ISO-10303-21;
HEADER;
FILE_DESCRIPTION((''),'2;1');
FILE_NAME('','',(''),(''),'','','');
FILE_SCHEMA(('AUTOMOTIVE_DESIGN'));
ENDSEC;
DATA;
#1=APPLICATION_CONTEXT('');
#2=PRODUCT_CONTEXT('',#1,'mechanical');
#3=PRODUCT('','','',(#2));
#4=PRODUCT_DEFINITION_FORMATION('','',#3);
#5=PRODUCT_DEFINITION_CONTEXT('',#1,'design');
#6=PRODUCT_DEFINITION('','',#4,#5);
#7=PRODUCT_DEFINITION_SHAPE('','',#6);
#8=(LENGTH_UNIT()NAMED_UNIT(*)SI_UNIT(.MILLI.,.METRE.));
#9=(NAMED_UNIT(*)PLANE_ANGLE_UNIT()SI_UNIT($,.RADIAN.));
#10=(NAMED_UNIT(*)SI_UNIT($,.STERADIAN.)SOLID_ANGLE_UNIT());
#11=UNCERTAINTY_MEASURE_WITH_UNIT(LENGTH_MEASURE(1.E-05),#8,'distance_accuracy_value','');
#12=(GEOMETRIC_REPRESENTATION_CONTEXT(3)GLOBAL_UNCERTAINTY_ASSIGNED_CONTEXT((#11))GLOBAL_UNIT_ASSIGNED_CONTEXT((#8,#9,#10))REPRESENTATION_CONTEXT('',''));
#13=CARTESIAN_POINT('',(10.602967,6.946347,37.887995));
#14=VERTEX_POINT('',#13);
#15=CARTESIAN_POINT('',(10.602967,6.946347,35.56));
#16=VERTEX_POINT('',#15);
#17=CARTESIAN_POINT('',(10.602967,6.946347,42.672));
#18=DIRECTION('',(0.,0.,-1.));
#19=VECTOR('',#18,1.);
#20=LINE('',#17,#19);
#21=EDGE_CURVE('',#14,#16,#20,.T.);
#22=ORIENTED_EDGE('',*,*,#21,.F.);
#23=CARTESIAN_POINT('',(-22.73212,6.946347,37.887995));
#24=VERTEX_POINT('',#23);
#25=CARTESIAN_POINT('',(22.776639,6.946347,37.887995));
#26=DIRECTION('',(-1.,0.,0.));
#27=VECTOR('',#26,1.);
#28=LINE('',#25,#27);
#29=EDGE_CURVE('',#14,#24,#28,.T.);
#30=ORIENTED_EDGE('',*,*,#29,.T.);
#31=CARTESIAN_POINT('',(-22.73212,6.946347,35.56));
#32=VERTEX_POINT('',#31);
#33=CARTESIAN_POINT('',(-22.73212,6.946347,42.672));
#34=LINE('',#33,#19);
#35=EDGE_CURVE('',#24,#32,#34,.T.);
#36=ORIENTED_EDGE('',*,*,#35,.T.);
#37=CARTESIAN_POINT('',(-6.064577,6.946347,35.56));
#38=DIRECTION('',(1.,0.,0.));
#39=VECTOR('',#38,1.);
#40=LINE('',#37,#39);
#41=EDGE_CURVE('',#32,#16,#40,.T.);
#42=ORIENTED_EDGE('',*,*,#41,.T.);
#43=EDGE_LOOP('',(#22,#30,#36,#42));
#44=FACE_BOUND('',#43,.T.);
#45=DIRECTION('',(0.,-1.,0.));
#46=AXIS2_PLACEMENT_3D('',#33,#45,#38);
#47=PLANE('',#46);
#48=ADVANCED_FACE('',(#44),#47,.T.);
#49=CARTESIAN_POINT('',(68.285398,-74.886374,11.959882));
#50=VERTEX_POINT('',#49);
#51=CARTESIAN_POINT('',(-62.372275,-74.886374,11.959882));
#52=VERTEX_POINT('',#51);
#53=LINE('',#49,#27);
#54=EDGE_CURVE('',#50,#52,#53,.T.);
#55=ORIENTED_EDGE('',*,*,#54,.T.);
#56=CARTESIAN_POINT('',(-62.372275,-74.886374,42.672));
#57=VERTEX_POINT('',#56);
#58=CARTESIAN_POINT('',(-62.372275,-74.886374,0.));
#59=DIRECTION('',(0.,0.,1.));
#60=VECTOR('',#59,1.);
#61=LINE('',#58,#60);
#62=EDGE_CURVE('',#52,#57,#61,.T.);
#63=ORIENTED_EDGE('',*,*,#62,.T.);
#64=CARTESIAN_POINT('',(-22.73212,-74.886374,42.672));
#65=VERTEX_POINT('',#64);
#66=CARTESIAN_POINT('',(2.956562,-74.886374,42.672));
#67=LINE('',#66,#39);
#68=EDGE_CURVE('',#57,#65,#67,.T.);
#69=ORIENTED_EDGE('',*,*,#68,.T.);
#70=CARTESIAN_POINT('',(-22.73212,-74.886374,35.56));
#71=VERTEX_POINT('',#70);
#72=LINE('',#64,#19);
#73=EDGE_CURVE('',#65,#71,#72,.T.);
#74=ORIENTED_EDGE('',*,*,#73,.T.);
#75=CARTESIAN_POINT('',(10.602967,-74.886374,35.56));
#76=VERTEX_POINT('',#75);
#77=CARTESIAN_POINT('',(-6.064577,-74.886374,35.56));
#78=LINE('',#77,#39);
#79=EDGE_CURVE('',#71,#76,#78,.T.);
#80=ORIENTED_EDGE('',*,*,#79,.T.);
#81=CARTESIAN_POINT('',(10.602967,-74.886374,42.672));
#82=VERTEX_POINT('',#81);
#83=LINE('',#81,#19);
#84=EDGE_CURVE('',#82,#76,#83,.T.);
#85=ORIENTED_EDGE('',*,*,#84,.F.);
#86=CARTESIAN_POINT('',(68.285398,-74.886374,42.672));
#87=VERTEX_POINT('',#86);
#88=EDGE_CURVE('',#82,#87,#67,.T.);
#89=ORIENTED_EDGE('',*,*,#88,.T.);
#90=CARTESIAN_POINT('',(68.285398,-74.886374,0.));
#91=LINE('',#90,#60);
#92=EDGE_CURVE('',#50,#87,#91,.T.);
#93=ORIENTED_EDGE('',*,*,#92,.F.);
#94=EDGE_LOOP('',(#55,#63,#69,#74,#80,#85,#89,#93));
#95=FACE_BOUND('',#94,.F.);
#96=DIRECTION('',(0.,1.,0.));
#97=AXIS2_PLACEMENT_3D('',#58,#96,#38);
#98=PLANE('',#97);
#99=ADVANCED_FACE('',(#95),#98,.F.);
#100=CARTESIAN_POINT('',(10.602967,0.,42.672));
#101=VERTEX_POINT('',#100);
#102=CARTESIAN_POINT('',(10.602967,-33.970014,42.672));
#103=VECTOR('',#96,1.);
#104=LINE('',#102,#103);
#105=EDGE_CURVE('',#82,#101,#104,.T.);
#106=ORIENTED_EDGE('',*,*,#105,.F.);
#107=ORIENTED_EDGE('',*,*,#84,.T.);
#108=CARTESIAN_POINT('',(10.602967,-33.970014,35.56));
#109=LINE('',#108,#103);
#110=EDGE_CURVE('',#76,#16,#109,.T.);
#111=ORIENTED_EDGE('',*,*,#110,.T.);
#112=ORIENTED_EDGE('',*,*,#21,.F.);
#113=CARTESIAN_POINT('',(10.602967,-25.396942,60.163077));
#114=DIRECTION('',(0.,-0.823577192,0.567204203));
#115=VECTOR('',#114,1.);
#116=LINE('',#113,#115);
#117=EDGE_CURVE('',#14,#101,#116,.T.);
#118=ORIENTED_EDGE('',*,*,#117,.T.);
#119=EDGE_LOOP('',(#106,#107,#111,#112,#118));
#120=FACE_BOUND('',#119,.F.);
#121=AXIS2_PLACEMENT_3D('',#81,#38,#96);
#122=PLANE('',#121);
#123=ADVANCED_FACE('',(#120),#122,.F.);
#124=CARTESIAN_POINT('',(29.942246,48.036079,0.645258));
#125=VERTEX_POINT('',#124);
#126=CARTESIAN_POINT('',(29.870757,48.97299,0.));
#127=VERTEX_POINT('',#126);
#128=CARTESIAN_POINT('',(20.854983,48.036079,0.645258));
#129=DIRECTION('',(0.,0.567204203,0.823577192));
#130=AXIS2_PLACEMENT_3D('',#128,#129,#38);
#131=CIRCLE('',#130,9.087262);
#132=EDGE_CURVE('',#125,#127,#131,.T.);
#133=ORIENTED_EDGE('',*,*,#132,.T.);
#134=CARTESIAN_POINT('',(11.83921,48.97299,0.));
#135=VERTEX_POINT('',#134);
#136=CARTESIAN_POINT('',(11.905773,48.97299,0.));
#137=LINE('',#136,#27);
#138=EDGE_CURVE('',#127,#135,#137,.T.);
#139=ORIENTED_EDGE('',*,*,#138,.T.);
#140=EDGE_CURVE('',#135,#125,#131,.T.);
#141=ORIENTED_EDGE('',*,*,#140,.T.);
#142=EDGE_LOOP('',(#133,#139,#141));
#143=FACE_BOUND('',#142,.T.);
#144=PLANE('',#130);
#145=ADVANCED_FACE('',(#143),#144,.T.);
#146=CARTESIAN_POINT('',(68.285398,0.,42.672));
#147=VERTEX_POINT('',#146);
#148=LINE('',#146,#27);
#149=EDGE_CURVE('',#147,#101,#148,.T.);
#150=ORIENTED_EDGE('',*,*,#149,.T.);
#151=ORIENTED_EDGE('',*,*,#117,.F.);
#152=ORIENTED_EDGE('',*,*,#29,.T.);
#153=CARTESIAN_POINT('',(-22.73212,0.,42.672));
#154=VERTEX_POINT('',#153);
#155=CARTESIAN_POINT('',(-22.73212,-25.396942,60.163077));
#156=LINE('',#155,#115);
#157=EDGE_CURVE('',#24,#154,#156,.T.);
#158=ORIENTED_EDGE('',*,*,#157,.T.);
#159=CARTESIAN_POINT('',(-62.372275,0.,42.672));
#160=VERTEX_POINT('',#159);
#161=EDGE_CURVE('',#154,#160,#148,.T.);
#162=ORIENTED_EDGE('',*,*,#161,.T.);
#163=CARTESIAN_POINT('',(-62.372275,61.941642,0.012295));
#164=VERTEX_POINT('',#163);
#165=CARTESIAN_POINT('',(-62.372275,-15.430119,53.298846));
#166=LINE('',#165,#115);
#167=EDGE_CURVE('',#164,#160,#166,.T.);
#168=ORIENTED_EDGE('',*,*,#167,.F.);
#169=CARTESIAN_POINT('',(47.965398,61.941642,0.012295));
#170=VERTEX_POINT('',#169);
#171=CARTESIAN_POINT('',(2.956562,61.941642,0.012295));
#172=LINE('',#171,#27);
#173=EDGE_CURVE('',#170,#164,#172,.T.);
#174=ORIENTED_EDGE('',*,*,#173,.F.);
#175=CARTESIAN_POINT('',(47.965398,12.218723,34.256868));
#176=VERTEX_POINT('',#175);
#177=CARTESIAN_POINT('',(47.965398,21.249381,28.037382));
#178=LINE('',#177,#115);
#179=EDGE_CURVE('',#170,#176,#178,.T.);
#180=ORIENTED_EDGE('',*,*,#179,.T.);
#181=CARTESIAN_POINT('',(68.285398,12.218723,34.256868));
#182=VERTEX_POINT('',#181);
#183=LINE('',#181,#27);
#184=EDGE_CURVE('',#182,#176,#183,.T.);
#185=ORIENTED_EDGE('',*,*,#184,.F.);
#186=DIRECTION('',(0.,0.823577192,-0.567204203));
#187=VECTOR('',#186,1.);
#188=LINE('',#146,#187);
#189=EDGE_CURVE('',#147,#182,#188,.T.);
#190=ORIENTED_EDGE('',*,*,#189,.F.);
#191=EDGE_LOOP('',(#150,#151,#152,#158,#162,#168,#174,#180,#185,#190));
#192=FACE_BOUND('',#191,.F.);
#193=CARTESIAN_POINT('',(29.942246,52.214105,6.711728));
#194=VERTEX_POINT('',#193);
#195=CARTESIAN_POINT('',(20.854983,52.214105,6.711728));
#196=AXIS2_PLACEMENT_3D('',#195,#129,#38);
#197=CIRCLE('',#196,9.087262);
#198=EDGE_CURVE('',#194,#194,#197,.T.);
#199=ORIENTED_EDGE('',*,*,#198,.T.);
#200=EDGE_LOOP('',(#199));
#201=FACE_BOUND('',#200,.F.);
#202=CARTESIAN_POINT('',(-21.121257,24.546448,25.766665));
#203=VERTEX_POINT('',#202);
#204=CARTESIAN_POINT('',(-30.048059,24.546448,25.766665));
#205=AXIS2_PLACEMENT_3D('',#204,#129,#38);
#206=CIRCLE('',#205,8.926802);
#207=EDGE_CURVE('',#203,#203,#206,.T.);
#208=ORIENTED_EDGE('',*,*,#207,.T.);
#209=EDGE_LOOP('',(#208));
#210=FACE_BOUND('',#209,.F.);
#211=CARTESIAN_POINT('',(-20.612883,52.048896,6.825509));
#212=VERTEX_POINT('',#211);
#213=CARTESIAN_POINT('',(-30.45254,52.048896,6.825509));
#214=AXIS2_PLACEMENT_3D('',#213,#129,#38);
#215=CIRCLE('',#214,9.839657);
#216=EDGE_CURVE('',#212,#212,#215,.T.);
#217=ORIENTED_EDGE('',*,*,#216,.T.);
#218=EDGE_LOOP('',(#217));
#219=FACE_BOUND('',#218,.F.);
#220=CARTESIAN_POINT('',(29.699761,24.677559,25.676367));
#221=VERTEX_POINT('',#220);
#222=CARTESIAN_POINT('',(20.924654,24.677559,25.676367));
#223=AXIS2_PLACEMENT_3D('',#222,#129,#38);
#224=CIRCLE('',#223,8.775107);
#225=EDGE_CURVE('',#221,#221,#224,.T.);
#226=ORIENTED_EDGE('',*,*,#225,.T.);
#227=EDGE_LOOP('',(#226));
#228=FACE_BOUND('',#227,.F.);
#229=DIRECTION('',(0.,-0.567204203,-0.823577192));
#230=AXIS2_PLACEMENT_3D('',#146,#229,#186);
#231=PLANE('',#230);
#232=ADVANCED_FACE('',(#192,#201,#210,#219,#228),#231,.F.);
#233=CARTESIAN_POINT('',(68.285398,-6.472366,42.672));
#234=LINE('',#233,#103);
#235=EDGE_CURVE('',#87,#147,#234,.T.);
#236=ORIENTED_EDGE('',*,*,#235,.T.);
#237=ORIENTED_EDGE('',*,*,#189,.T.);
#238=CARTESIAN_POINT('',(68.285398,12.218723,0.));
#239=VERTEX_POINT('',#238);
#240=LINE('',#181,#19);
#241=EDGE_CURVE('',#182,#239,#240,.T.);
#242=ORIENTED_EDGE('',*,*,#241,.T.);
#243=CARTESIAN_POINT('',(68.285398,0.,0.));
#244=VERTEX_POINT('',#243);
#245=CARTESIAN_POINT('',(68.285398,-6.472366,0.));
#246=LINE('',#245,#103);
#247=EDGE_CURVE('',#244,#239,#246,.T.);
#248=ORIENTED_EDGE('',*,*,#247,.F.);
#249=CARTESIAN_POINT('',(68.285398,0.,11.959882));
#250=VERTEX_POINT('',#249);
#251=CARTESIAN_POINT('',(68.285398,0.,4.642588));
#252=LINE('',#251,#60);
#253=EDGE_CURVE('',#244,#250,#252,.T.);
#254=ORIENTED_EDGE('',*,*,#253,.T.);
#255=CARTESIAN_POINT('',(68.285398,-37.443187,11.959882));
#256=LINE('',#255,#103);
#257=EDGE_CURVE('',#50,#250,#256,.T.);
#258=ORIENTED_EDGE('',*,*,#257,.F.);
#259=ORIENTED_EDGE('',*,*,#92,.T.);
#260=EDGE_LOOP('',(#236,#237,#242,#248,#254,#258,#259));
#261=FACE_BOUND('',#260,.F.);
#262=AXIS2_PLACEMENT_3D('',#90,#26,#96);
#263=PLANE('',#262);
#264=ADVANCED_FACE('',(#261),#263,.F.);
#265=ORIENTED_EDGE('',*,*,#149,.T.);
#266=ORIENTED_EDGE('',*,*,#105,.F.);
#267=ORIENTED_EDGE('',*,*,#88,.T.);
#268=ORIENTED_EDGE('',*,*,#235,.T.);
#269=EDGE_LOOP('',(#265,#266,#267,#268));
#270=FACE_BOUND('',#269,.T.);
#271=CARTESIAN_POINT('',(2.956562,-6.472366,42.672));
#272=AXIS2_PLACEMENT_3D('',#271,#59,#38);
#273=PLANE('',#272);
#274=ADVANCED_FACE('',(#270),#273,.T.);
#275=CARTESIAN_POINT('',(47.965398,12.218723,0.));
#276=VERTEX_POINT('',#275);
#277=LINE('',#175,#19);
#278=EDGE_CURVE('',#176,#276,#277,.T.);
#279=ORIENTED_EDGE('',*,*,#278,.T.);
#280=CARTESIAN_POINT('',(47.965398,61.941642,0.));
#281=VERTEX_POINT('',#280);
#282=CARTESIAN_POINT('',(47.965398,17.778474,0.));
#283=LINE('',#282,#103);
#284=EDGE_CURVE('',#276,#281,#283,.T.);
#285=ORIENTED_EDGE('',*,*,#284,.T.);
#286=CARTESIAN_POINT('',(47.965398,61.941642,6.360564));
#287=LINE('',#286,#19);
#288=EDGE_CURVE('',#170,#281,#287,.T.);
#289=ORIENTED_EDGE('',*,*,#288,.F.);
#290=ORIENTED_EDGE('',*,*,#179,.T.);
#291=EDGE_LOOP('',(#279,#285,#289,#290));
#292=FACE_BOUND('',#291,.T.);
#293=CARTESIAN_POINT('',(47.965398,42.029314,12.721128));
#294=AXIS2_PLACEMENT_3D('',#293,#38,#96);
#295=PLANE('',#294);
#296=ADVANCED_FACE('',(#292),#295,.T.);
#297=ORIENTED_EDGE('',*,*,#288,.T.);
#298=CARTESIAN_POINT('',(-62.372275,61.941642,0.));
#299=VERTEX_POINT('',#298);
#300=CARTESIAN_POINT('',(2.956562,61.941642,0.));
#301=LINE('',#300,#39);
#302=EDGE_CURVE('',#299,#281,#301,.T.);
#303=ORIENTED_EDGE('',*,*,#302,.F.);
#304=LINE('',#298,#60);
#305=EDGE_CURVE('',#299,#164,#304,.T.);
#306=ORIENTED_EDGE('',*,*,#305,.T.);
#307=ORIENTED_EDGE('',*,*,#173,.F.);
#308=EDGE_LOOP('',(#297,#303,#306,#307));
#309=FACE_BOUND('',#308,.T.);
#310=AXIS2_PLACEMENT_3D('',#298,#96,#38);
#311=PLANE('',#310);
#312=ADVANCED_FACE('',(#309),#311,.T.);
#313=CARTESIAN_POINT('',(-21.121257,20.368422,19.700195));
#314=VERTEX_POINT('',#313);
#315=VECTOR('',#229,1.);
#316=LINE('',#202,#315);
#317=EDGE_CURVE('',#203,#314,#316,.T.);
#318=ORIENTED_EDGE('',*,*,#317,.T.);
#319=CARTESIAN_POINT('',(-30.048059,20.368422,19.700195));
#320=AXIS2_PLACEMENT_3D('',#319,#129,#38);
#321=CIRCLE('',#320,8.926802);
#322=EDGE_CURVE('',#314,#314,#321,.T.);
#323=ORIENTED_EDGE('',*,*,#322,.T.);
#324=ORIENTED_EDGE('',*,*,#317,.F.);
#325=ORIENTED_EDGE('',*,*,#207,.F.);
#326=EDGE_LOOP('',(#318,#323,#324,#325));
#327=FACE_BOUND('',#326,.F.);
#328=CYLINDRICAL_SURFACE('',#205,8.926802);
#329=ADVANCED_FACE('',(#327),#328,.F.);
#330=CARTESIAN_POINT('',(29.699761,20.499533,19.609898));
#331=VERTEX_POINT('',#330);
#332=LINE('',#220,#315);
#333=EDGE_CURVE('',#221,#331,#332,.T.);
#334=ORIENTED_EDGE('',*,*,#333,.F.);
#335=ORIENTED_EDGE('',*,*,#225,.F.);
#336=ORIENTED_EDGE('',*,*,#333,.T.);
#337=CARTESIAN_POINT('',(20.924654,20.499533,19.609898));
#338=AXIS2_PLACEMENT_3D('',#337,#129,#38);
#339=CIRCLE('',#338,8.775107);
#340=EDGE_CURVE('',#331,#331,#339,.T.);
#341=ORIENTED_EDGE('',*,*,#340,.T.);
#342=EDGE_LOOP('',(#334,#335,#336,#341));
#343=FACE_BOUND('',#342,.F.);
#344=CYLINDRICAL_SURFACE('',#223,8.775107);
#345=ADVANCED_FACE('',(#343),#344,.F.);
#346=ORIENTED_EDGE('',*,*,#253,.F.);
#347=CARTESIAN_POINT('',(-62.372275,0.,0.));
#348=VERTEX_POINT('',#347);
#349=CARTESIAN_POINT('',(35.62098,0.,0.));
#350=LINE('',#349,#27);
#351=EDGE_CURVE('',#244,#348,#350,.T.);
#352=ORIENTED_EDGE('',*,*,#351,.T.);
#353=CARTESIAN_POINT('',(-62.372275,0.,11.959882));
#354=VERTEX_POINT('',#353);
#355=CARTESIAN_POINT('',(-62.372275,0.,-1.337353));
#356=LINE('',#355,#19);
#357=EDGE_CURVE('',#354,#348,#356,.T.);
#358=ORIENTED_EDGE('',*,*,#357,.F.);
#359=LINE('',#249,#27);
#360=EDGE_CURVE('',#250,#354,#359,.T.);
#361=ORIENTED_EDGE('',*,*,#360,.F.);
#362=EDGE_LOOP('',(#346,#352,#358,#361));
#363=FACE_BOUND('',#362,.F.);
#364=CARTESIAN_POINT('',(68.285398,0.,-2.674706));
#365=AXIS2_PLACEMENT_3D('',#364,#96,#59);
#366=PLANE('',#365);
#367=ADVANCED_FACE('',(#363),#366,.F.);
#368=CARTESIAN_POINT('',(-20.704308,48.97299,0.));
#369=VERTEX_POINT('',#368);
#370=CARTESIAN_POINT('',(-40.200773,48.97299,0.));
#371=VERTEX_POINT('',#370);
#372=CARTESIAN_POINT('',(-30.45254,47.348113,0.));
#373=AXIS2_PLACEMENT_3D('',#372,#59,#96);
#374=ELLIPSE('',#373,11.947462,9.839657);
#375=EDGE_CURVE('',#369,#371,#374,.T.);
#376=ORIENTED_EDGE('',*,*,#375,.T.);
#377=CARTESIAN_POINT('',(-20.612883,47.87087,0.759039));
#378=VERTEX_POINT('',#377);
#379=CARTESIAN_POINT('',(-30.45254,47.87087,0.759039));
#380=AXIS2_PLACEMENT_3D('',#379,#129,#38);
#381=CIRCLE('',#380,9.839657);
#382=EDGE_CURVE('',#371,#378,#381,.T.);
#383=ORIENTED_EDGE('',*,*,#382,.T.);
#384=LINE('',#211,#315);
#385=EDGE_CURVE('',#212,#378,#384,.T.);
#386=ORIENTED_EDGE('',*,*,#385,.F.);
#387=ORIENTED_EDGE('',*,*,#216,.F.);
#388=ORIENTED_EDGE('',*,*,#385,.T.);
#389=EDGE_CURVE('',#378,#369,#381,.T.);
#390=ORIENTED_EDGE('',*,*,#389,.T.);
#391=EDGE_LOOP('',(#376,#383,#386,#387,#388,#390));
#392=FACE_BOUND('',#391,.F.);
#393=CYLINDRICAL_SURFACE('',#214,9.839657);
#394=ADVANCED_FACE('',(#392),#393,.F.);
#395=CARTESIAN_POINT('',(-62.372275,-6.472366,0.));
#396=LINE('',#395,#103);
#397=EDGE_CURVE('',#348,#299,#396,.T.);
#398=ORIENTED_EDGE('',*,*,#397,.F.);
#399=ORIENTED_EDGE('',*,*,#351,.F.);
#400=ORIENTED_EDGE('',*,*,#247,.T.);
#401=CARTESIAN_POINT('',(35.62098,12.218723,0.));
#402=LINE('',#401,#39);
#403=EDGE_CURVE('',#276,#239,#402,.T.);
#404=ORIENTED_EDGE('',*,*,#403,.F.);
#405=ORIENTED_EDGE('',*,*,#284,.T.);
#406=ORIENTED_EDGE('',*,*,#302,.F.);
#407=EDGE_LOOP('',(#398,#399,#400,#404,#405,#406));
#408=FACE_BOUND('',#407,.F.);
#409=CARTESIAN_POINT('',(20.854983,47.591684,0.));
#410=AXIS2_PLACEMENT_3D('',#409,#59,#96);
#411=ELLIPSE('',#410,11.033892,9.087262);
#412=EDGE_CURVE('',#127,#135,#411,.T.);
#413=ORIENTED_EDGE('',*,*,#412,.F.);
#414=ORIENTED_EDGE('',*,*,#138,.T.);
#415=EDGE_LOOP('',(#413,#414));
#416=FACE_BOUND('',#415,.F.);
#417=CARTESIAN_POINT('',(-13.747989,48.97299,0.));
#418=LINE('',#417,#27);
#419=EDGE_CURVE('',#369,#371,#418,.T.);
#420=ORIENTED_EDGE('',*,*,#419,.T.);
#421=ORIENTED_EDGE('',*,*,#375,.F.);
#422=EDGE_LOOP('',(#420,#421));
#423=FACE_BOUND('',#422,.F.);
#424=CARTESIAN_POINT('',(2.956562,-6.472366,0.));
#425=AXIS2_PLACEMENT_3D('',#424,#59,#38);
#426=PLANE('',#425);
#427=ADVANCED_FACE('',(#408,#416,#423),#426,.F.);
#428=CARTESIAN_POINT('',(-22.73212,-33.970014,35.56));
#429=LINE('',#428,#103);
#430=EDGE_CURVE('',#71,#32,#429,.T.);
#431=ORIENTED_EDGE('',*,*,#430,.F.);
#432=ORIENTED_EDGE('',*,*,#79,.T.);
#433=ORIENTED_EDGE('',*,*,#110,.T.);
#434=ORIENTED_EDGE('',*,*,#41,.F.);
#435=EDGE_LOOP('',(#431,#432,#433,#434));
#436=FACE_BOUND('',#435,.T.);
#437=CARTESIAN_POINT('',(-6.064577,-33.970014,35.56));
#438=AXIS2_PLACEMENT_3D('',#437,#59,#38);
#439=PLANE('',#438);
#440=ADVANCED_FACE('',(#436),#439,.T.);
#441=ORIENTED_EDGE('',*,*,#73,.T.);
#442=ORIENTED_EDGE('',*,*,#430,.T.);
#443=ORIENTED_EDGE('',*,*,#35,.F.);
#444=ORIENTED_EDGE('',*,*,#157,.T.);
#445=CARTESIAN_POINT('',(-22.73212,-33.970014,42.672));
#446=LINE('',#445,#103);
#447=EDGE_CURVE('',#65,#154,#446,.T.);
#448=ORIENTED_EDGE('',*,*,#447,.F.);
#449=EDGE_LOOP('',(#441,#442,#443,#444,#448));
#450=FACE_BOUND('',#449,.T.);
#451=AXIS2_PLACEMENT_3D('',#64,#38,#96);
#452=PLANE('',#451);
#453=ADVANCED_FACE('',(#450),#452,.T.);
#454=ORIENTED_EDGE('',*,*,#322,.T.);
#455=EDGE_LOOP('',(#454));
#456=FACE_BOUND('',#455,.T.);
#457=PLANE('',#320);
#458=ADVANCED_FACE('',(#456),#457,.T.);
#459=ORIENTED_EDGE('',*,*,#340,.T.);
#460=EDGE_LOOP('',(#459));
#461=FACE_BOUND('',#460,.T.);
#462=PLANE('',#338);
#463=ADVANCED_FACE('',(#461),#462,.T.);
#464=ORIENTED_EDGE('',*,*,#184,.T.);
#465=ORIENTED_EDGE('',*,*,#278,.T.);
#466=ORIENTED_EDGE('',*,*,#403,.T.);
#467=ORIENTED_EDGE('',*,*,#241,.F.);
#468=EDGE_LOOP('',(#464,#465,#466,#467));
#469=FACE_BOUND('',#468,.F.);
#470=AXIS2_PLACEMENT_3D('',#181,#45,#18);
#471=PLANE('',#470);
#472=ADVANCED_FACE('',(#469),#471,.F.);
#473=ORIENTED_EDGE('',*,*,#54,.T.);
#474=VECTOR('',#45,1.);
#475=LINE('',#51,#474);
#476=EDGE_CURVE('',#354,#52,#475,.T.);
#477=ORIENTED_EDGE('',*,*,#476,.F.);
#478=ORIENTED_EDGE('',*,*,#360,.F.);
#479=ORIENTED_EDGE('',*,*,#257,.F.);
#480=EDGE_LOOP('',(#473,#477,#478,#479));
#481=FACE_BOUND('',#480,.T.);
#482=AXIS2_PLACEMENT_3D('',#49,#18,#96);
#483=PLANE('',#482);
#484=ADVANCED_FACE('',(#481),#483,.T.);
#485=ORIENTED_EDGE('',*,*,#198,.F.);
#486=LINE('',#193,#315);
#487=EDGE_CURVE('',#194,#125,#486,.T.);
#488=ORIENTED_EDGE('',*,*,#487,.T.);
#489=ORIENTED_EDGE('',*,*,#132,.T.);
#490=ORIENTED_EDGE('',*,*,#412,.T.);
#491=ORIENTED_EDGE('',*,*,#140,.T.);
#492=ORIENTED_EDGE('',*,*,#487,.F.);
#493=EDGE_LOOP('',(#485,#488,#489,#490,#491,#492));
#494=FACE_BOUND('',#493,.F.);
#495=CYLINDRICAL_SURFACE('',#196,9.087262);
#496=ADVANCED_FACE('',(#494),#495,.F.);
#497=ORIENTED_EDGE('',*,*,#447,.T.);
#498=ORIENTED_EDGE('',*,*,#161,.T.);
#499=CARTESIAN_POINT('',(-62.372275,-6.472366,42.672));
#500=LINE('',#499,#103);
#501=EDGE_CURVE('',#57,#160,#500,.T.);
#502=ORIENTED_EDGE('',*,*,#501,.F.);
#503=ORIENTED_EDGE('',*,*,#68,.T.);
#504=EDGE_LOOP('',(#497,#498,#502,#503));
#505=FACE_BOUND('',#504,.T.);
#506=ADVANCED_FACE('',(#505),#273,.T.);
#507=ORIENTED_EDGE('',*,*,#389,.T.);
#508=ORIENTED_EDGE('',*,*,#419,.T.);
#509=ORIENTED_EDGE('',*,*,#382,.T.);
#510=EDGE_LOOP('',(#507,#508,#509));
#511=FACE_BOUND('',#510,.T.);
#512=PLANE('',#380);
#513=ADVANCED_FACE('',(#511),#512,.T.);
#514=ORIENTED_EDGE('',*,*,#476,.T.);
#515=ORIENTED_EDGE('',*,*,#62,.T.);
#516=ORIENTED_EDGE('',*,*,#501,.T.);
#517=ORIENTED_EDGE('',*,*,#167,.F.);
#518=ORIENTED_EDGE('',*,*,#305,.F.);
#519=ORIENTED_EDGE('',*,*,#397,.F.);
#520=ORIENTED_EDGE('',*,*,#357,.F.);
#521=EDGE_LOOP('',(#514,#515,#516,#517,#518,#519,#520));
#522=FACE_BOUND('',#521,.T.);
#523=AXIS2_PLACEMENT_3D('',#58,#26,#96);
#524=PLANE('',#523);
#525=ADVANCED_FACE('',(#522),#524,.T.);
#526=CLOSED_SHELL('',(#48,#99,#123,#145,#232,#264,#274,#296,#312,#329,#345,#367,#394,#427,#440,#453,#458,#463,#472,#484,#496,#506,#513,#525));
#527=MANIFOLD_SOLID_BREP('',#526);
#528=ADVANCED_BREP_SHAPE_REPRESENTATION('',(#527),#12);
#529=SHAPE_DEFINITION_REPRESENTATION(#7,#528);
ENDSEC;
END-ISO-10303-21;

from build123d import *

# Parameters (mm, degrees)
F0_W      = 130.6576728821
F0_H      = 136.8280164897
F1_DEPTH  = 42.672
F3_DEPTH  = 168.402
F4_W      = 33.3350868896
F4_H      = 81.8327208981
F5_DEPTH  = 7.112
F7_DEPTH  = 20.32
F8_W      = 74.8863741755
F8_H      = 14.6345880348
F9_DEPTH  = 153.162
F10_R     = 8.7751073359
F10_R_2   = 8.9268024196
F10_R_3   = 9.0872621363
F10_R_4   = 9.8396569886
F11_DEPTH = 7.366


with BuildPart() as f1:
    # F0 (on Top) → F1 (new body)
    with BuildSketch(Plane.XY):
        with Locations((2.9565617442, -6.4723659307)):
            Rectangle(F0_W, F0_H)
    extrude(amount=F1_DEPTH)

    # F2 (on face) → F3 (cut)
    with BuildSketch(Plane.YZ.offset(68.2853981853)):
        Polygon((81.023953855, 51.4655448496), (0, 42.672), (83.4134221077, -14.7754913196), align=None)
    extrude(amount=-F3_DEPTH, mode=Mode.SUBTRACT)

    # F4 (on face) → F5 (cut)
    with BuildSketch(Plane.XY.offset(42.672)):
        with Locations((-6.0645765625, -33.9700137265)):
            Rectangle(F4_W, F4_H)
    extrude(amount=-F5_DEPTH, mode=Mode.SUBTRACT)

    # F6 (on face) → F7 (cut)
    with BuildSketch(Plane.YZ.offset(68.2853981853)):
        Polygon((71.3876187801, 35.8445122838), (12.2187227448, 34.2568678656), (12.2187227448, -9.6190823242), (71.3876187801, -9.6190823242), align=None)
    extrude(amount=-F7_DEPTH, mode=Mode.SUBTRACT)

    # F8 (on face) → F9 (cut)
    with BuildSketch(Plane.YZ.offset(68.2853981853)):
        with Locations((-37.4431870878, 4.6425884357)):
            Rectangle(F8_W, F8_H)
    extrude(amount=-F9_DEPTH, mode=Mode.SUBTRACT)

    # F10 (on face) → F11 (cut)
    with BuildSketch(Plane(origin=(0, 19.933646388, 28.943538214), x_dir=(1, 0, 0), z_dir=(0, 0.5672042031, 0.8235771925))):
        with Locations((20.9246538579, 5.7601314038)):
            Circle(F10_R)
        with Locations((-30.0480592996, 5.6009339169)):
            Circle(F10_R_2)
        with Locations((20.8549834788, 39.1954258084)):
            Circle(F10_R_3)
        with Locations((-30.4525401443, 38.9948263764)):
            Circle(F10_R_4)
    extrude(amount=-F11_DEPTH, mode=Mode.SUBTRACT)


solid = f1.part
